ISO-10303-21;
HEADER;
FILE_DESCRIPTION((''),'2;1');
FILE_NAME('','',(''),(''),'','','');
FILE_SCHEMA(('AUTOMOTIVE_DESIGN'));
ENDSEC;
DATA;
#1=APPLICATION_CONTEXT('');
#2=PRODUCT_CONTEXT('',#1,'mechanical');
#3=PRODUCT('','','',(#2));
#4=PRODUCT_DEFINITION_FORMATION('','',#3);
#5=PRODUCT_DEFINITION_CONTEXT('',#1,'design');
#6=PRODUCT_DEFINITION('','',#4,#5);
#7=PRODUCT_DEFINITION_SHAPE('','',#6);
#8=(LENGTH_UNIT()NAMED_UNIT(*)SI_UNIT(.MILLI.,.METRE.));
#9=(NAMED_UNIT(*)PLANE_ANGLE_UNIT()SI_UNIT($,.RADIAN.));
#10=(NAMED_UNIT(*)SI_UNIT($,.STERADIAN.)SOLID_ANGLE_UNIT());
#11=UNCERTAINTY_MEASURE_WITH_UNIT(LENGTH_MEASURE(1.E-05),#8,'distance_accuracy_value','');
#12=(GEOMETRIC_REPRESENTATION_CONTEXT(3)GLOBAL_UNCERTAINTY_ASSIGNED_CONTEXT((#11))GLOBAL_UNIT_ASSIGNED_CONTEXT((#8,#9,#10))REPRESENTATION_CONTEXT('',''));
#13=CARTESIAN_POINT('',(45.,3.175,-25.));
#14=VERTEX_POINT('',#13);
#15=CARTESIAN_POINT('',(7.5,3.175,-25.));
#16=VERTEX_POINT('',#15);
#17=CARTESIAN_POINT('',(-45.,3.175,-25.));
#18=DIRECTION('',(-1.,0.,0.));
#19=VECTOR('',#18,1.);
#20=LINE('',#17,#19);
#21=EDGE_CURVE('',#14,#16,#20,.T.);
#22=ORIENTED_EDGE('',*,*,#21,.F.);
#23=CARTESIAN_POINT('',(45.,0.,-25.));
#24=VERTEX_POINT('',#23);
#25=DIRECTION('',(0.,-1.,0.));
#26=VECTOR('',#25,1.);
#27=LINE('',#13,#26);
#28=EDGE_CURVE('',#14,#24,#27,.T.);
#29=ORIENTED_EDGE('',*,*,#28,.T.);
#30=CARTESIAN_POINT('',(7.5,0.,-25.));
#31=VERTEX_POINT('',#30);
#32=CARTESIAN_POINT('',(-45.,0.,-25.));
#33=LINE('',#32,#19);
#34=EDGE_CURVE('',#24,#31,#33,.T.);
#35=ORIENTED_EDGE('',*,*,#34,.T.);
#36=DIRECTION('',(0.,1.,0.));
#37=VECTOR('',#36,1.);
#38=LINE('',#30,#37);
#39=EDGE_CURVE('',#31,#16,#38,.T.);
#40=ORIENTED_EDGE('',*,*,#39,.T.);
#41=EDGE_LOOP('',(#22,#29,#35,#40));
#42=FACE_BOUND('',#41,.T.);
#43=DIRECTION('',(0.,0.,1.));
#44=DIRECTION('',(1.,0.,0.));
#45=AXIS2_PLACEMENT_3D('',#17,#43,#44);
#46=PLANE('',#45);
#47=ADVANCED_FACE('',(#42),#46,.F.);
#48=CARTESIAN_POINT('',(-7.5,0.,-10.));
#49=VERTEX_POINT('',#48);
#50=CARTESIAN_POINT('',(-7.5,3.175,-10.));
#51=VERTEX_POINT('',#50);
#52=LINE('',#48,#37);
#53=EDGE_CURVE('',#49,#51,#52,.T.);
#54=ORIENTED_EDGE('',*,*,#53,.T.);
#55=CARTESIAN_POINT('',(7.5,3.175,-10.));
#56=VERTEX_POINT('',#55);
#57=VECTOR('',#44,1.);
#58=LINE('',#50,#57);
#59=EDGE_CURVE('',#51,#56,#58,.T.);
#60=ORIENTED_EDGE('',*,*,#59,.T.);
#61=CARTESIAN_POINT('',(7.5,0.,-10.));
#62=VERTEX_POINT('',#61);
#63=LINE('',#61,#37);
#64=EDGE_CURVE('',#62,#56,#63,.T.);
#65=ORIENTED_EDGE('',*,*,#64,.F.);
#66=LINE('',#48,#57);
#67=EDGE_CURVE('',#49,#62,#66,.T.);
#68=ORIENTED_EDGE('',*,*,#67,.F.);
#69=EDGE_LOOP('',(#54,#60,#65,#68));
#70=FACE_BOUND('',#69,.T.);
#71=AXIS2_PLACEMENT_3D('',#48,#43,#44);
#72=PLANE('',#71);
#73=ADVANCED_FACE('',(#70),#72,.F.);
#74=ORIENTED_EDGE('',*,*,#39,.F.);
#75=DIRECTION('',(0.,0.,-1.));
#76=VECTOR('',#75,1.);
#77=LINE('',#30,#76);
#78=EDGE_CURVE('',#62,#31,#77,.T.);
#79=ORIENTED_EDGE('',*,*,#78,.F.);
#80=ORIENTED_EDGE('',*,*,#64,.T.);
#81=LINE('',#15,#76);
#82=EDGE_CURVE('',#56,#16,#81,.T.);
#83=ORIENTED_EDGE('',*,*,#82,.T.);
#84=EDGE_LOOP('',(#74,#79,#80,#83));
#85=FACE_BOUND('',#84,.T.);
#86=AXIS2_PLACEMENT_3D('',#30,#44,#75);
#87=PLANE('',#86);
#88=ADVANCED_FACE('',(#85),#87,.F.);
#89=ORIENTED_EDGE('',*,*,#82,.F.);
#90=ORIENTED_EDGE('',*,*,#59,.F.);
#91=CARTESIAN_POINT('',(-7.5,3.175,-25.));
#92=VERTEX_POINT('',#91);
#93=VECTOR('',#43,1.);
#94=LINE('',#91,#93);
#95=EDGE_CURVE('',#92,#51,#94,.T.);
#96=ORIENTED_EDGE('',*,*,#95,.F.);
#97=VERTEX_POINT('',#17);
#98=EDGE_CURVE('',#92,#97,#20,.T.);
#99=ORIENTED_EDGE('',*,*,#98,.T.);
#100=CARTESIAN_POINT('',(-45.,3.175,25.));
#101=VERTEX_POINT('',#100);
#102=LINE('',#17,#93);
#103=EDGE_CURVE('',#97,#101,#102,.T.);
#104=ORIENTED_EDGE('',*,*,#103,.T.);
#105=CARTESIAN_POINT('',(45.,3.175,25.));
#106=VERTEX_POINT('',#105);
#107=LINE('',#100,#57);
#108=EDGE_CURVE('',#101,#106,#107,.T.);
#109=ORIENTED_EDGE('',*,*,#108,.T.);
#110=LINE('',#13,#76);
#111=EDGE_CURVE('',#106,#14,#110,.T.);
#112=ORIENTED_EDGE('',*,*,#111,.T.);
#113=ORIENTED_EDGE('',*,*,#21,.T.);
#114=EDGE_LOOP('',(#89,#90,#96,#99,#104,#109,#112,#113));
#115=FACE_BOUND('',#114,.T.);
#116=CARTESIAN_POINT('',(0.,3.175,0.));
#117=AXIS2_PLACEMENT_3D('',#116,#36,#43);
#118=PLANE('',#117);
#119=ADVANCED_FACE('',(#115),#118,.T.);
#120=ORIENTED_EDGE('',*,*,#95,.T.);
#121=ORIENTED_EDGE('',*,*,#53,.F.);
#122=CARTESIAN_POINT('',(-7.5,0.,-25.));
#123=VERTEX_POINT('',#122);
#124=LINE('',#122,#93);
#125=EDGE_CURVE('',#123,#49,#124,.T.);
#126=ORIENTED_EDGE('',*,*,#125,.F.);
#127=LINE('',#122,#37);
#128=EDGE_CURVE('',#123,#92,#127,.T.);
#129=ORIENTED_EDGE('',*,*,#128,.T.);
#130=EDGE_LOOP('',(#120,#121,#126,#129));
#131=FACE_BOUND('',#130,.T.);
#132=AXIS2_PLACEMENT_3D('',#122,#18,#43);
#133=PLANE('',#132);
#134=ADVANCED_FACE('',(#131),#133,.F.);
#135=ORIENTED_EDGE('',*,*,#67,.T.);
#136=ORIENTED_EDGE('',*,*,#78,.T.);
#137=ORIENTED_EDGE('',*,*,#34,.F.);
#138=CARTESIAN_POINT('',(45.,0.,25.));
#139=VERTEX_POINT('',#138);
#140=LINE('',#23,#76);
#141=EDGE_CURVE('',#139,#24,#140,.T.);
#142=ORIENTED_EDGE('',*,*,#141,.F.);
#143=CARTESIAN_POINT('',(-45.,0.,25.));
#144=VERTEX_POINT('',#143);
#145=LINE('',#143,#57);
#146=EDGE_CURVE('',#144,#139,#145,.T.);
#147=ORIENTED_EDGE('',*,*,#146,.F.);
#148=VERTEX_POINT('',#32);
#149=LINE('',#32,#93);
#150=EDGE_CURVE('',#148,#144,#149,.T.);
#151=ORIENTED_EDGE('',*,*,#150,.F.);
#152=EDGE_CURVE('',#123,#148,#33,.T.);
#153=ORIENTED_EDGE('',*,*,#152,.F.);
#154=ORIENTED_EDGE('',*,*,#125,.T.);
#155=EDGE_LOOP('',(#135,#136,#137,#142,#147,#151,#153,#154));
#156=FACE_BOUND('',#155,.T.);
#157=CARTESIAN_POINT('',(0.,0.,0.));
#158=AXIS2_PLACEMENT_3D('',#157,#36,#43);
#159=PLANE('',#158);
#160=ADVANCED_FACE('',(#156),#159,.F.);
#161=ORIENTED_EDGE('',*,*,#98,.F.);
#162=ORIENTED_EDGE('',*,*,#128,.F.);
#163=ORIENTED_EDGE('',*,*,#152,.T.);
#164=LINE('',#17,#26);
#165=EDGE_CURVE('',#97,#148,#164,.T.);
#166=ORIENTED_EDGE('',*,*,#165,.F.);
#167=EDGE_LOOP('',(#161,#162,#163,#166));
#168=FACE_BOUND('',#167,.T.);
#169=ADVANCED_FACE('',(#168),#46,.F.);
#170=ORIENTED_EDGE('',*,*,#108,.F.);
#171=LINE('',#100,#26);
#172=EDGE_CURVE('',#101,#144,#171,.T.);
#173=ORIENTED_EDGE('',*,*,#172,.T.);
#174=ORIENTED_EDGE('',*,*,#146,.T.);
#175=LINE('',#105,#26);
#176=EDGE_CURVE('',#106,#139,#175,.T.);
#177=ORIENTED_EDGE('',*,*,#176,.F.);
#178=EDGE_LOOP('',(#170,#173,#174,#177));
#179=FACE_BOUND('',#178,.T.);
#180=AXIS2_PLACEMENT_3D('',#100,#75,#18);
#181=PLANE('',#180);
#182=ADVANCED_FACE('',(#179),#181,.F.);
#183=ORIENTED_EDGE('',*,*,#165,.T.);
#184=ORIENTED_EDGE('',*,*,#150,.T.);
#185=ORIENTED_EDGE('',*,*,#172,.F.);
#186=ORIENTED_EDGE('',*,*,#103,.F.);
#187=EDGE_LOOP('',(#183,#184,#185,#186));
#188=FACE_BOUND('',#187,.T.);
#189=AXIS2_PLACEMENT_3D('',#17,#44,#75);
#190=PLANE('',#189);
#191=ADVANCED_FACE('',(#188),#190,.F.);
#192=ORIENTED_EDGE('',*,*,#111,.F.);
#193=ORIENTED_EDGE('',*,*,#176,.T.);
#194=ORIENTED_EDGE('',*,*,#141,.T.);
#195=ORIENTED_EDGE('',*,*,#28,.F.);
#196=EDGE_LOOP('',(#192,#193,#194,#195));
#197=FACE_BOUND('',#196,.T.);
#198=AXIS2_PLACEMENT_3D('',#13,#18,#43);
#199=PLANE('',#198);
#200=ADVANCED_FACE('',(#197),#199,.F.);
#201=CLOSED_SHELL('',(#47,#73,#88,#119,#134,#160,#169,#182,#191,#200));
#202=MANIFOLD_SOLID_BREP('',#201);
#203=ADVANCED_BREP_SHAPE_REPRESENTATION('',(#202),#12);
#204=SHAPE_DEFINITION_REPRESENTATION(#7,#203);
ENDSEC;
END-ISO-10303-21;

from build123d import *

# Parameters (mm, degrees)
SKETCH1_W           = 90
SKETCH1_H           = 50
BOSS_EXTRUDE1_DEPTH = 3.175
SKETCH2_W           = 15
SKETCH2_H           = 15
CUT_EXTRUDE1_DEPTH  = 4.175


with BuildPart() as part:
    # Sketch1 → Boss-Extrude1 (new body)
    with BuildSketch(Plane(origin=(0, 0, 0), x_dir=(1, 0, 0), z_dir=(0, 1, 0))):
        Rectangle(SKETCH1_W, SKETCH1_H)
    extrude(amount=BOSS_EXTRUDE1_DEPTH)

    # Sketch2 → Cut-Extrude1 (cut, through all)
    with BuildSketch(Plane(origin=(0, 3.175, 0), x_dir=(1, 0, 0), z_dir=(0, 1, 0))):
        with Locations((0, 17.5)):
            Rectangle(SKETCH2_W, SKETCH2_H)
    extrude(amount=-CUT_EXTRUDE1_DEPTH, mode=Mode.SUBTRACT)


solid = part.part
